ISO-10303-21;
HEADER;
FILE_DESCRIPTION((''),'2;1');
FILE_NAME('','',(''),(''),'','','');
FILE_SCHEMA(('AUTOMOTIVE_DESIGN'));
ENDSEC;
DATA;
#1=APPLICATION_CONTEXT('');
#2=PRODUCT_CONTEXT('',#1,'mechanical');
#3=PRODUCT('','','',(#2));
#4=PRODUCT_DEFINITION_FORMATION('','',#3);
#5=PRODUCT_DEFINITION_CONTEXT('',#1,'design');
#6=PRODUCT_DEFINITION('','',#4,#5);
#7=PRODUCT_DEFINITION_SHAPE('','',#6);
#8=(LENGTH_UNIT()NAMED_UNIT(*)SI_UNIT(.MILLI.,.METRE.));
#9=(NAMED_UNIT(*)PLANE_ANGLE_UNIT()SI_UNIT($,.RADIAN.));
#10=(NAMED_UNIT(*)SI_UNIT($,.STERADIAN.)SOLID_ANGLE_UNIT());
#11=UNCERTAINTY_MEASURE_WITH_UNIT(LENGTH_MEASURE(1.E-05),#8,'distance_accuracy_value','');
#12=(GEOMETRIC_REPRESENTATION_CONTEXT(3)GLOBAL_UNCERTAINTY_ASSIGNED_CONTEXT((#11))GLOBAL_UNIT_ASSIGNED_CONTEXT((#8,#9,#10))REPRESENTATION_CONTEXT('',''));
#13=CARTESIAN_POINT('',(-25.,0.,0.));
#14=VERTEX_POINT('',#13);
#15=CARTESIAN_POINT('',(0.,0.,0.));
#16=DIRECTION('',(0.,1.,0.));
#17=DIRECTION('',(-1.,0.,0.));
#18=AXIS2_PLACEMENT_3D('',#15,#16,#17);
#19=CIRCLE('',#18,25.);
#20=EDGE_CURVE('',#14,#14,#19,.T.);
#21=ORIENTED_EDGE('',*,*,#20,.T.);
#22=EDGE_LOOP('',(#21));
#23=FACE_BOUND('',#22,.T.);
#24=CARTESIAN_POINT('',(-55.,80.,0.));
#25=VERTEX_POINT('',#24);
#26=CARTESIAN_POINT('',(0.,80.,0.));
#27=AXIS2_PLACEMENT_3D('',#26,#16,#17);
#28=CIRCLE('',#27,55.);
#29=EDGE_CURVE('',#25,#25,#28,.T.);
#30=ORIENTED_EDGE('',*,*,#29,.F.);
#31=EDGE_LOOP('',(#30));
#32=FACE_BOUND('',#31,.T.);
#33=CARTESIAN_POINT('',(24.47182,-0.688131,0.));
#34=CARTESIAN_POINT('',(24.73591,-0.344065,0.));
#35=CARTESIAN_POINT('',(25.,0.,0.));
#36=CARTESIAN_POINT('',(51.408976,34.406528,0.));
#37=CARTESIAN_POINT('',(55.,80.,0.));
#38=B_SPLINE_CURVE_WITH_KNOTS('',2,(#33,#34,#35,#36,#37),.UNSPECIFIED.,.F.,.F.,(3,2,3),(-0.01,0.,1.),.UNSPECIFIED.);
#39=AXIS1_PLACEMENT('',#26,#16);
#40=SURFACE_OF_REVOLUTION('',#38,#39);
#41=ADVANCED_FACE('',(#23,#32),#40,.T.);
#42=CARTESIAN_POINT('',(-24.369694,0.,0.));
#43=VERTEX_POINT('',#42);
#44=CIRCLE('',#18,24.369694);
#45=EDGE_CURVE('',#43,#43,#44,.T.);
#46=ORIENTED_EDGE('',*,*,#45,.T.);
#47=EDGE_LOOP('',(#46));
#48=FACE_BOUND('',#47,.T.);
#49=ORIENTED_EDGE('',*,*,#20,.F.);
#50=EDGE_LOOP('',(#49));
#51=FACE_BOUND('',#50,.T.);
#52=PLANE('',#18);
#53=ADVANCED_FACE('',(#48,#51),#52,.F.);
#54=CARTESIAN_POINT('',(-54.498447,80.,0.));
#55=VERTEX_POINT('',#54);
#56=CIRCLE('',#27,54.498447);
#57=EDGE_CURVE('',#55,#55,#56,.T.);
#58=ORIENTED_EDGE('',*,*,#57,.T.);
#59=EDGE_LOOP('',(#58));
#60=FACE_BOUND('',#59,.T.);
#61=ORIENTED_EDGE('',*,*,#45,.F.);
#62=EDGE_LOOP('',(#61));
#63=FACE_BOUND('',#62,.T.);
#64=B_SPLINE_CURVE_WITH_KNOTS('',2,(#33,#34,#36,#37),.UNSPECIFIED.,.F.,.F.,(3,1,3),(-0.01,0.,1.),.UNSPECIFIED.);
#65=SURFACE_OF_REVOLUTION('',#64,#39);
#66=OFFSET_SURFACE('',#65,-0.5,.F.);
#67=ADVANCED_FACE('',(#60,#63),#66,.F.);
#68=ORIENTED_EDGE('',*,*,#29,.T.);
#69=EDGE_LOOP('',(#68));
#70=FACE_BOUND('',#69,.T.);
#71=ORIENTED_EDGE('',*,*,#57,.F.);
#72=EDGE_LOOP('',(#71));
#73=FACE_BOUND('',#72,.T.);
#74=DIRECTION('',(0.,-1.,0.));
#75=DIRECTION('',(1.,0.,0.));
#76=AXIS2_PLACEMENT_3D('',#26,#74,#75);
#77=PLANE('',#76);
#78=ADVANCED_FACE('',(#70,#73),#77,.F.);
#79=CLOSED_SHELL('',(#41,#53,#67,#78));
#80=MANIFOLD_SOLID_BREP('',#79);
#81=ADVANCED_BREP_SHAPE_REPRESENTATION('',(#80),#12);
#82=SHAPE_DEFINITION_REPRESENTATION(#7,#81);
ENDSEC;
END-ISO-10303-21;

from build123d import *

# Parameters (mm, degrees)
SHELL_1_T = -0.5


with BuildPart() as part:
    # ｽｹｯﾁ1 → 回転1 (revolve)
    with BuildSketch(Plane.XY):
        with BuildLine():
            Line((0, 80), (0, 0))
            Line((0, 0), (25, 0))
            add(Edge.make_bspline(
                [(25, 0), (51.408976261, 34.406528083), (55, 80)],
                knots=[0, 0, 0, 1, 1, 1], degree=2))
            Line((55, 80), (0, 80))
        make_face()
    revolve(axis=Axis((0, 80, 0), (0, -1, 0)))

    # ｼｪﾙ1
    shell_1_openings = [part.faces().sort_by_distance(p)[0] for p in [
        (0, 0, 0),
        (0, 80, 0),
    ]]
    offset(amount=SHELL_1_T, openings=shell_1_openings, kind=Kind.INTERSECTION)


solid = part.part
